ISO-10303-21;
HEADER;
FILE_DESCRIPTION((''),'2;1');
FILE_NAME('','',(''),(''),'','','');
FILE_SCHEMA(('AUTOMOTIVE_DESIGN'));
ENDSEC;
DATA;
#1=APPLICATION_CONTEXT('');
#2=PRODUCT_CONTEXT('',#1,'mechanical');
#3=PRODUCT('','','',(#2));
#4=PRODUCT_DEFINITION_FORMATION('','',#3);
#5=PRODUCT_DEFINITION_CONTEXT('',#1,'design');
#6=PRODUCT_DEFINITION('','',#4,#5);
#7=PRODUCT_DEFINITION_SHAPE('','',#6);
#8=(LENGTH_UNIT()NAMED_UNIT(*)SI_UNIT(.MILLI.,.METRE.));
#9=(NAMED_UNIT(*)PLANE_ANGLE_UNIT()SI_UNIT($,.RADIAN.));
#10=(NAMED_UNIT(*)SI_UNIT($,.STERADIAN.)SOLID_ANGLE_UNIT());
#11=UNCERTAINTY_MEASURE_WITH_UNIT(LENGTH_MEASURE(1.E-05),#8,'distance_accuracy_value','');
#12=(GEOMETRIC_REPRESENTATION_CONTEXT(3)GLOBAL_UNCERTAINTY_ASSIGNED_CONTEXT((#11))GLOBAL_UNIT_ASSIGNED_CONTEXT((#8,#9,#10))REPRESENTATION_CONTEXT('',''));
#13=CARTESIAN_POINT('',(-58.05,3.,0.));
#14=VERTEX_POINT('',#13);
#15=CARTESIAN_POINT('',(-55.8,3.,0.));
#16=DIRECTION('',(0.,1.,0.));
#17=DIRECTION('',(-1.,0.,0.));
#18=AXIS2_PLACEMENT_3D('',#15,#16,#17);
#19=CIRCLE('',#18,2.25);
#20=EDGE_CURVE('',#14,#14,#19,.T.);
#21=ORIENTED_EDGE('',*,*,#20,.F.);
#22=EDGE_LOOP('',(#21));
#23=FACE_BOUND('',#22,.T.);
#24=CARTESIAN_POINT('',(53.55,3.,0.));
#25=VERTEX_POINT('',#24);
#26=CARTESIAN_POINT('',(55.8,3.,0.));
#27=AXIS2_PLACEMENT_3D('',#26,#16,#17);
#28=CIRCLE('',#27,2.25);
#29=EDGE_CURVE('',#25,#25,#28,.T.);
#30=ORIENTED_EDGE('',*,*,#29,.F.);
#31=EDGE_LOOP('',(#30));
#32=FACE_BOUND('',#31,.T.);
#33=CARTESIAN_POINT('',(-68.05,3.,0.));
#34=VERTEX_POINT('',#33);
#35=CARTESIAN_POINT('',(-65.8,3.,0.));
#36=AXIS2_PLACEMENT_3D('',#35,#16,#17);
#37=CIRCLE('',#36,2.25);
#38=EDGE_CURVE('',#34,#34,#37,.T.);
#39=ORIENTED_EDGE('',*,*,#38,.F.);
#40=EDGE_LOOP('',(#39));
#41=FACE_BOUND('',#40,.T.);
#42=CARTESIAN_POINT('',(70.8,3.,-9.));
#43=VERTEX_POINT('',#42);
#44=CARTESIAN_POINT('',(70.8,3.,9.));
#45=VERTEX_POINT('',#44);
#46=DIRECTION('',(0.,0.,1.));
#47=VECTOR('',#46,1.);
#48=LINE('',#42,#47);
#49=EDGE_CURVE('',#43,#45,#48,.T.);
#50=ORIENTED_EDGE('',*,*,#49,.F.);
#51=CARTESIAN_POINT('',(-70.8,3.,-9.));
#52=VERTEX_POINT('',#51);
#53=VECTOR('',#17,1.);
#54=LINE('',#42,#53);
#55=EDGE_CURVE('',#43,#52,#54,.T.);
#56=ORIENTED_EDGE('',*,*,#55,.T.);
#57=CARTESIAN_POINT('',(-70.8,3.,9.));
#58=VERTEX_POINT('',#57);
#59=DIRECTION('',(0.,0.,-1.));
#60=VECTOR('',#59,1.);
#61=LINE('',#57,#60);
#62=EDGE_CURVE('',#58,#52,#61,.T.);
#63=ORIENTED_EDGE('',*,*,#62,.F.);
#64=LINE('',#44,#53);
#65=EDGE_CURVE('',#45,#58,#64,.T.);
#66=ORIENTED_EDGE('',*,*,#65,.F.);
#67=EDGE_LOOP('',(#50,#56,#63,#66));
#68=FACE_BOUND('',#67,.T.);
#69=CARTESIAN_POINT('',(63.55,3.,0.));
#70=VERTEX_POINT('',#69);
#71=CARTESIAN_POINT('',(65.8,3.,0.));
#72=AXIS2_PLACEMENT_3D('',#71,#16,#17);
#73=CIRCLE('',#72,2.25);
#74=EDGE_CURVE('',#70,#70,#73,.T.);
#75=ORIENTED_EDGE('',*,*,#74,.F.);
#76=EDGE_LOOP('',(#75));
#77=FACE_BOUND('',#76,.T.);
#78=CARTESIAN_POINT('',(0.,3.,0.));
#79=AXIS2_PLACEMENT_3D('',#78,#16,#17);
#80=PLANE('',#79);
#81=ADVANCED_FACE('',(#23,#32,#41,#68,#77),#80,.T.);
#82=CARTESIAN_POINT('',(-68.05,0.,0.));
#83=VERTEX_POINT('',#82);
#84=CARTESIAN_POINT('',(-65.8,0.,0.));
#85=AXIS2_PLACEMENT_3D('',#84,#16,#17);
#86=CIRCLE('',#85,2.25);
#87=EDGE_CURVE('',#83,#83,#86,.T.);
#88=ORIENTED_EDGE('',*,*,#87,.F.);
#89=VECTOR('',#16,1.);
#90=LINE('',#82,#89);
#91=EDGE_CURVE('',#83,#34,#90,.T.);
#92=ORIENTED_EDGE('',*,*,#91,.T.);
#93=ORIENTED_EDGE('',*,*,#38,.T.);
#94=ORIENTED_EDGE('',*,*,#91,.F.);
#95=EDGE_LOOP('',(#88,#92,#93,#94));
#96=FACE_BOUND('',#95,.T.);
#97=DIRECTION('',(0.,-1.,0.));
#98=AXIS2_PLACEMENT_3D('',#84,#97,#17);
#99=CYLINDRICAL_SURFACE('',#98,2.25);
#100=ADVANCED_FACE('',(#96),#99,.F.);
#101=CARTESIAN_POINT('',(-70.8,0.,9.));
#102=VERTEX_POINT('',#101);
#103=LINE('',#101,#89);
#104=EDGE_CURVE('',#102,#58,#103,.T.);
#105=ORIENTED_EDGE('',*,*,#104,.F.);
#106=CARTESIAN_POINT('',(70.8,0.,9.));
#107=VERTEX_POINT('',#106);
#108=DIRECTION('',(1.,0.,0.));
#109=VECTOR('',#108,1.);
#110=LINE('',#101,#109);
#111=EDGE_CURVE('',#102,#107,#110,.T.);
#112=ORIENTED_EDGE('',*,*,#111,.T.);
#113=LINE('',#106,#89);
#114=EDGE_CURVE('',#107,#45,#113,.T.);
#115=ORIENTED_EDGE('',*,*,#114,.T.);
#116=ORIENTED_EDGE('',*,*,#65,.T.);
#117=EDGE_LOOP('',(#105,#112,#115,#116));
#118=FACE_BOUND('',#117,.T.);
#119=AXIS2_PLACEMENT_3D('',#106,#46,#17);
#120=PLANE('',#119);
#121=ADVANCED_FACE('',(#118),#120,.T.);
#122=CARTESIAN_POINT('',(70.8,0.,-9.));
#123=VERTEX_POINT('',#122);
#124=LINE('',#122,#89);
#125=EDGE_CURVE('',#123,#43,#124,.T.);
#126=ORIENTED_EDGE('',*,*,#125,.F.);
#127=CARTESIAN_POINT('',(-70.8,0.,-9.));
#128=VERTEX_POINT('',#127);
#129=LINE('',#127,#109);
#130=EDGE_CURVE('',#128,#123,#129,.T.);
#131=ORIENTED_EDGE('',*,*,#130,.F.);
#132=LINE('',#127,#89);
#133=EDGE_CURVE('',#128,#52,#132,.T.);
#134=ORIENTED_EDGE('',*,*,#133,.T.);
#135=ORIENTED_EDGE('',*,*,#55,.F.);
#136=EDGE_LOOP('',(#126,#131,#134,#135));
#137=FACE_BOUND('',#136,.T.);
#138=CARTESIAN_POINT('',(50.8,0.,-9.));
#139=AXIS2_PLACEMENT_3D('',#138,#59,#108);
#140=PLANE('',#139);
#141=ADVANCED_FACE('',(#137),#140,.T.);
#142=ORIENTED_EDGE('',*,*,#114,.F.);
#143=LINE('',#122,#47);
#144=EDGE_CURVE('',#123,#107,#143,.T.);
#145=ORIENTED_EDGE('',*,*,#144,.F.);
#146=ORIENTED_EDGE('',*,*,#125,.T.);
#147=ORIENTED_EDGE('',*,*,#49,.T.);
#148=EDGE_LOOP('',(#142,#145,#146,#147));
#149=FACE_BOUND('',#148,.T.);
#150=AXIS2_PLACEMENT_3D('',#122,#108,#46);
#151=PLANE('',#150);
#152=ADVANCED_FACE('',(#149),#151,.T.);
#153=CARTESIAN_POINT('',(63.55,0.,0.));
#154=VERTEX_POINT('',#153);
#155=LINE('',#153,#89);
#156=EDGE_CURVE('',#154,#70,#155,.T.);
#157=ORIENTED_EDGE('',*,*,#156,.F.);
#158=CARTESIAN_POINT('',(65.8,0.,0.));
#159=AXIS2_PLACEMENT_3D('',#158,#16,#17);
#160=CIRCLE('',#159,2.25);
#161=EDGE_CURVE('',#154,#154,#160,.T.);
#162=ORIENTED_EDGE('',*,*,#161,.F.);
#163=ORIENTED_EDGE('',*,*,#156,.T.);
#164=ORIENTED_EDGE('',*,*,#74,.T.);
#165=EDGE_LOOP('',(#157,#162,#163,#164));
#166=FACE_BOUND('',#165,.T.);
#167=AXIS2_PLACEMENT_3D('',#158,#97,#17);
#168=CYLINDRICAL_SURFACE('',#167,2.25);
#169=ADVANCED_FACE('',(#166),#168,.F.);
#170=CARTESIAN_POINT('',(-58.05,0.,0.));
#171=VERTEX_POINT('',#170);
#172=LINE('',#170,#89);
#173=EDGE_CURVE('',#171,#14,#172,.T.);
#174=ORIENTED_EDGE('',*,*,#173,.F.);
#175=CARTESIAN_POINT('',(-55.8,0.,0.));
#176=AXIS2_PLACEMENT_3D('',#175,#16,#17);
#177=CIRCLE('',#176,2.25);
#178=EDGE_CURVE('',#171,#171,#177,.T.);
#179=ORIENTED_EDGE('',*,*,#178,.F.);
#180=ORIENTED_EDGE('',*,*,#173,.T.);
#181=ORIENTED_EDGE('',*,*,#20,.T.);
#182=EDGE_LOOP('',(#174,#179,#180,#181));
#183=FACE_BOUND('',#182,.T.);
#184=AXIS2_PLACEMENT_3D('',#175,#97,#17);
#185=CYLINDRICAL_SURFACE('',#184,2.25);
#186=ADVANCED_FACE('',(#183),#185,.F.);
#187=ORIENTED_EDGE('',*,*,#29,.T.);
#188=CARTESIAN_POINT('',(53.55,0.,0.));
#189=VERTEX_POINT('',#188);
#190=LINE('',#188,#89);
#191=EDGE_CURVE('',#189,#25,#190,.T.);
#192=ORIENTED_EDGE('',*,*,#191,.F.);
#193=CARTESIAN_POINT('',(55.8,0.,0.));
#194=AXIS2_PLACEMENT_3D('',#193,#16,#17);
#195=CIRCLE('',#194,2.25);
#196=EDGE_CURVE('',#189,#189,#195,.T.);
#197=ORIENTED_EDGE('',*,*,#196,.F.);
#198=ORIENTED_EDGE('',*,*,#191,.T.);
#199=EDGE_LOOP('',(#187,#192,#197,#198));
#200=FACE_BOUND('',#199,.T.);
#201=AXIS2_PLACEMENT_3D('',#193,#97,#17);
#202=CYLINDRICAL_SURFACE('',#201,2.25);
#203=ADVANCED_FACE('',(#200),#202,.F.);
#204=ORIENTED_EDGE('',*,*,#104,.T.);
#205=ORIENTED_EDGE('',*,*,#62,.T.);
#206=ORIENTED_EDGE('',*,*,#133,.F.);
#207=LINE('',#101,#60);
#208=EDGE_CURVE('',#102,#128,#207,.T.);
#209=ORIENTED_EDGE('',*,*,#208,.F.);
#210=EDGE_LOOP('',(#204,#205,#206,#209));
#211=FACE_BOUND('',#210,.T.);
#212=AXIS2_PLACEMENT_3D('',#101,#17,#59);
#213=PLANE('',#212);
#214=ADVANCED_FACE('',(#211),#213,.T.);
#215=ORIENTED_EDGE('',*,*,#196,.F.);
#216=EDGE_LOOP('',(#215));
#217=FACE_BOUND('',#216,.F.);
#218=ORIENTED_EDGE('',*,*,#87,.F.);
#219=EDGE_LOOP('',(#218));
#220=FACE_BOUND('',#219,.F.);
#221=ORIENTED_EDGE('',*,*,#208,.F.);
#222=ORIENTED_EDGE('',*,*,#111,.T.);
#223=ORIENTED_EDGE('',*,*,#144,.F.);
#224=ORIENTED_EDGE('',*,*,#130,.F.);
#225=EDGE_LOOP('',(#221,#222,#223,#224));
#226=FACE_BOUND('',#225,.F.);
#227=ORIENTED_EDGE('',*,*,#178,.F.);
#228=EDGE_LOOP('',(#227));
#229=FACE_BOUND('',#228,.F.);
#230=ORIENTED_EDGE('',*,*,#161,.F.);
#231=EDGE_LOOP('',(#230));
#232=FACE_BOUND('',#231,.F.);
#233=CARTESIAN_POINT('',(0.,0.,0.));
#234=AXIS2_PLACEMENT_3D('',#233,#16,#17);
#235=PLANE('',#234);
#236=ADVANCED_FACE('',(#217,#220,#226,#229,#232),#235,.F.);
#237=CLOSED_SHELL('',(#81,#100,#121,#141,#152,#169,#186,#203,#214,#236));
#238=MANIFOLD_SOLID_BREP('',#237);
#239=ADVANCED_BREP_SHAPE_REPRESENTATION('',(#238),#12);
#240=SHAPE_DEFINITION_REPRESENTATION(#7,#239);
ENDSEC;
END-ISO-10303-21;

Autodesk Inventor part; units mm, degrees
ref_plane "YZ Plane" through (0, 0, 0) normal (1, 0, 0) x (0, 1, 0)
ref_plane "XZ Plane" through (0, 0, 0) normal (0, 1, 0) x (-1, 0, 0)
ref_plane "XY Plane" through (0, 0, 0) normal (0, 0, 1) x (1, 0, 0)
sketch "Sketch1" plane through (0, 0, 0) normal (0, 1, 0) x (-1, 0, 0)
  line L0 (-70.8, 9) -> (0, 9)
  line L1 (70.8, 9) -> (70.8, -9)
  line L2 (70.8, -9) -> (0, -9)
  line L3 (-70.8, -9) -> (-70.8, 9)
  line L4 (-70.8, 0) -> (70.8, 0) construction
  circle A0 centre (-65.8, 0) radius 2.25
  circle A1 centre (-55.8, 0) radius 2.25
  line L5 (0, 9) -> (70.8, 9)
  line L6 (0, -9) -> (-70.8, -9)
  line L7 (-50.8, 9) -> (-50.8, -9)
  line L8 (0, 37.7423) -> (0, -37.3462) construction
  circle A2 centre (65.8, 0) radius 2.25
  circle A3 centre (55.8, 0) radius 2.25
  line L9 (50.8, 9) -> (50.8, -9)
  point P0 (0, 0)
  dimension "d1" = 18
  dimension "d2" = 4.5
  dimension "d3" = 4.5
  dimension "d4" = 5
  dimension "d5" = 15
  dimension "d17" = 5
  dimension "d18" = 101.6
  dimension "d19" = 5
extrude "Extrusion1" add sketch "Sketch1" along normal blind 3
properties part number "TopSliderBar"
